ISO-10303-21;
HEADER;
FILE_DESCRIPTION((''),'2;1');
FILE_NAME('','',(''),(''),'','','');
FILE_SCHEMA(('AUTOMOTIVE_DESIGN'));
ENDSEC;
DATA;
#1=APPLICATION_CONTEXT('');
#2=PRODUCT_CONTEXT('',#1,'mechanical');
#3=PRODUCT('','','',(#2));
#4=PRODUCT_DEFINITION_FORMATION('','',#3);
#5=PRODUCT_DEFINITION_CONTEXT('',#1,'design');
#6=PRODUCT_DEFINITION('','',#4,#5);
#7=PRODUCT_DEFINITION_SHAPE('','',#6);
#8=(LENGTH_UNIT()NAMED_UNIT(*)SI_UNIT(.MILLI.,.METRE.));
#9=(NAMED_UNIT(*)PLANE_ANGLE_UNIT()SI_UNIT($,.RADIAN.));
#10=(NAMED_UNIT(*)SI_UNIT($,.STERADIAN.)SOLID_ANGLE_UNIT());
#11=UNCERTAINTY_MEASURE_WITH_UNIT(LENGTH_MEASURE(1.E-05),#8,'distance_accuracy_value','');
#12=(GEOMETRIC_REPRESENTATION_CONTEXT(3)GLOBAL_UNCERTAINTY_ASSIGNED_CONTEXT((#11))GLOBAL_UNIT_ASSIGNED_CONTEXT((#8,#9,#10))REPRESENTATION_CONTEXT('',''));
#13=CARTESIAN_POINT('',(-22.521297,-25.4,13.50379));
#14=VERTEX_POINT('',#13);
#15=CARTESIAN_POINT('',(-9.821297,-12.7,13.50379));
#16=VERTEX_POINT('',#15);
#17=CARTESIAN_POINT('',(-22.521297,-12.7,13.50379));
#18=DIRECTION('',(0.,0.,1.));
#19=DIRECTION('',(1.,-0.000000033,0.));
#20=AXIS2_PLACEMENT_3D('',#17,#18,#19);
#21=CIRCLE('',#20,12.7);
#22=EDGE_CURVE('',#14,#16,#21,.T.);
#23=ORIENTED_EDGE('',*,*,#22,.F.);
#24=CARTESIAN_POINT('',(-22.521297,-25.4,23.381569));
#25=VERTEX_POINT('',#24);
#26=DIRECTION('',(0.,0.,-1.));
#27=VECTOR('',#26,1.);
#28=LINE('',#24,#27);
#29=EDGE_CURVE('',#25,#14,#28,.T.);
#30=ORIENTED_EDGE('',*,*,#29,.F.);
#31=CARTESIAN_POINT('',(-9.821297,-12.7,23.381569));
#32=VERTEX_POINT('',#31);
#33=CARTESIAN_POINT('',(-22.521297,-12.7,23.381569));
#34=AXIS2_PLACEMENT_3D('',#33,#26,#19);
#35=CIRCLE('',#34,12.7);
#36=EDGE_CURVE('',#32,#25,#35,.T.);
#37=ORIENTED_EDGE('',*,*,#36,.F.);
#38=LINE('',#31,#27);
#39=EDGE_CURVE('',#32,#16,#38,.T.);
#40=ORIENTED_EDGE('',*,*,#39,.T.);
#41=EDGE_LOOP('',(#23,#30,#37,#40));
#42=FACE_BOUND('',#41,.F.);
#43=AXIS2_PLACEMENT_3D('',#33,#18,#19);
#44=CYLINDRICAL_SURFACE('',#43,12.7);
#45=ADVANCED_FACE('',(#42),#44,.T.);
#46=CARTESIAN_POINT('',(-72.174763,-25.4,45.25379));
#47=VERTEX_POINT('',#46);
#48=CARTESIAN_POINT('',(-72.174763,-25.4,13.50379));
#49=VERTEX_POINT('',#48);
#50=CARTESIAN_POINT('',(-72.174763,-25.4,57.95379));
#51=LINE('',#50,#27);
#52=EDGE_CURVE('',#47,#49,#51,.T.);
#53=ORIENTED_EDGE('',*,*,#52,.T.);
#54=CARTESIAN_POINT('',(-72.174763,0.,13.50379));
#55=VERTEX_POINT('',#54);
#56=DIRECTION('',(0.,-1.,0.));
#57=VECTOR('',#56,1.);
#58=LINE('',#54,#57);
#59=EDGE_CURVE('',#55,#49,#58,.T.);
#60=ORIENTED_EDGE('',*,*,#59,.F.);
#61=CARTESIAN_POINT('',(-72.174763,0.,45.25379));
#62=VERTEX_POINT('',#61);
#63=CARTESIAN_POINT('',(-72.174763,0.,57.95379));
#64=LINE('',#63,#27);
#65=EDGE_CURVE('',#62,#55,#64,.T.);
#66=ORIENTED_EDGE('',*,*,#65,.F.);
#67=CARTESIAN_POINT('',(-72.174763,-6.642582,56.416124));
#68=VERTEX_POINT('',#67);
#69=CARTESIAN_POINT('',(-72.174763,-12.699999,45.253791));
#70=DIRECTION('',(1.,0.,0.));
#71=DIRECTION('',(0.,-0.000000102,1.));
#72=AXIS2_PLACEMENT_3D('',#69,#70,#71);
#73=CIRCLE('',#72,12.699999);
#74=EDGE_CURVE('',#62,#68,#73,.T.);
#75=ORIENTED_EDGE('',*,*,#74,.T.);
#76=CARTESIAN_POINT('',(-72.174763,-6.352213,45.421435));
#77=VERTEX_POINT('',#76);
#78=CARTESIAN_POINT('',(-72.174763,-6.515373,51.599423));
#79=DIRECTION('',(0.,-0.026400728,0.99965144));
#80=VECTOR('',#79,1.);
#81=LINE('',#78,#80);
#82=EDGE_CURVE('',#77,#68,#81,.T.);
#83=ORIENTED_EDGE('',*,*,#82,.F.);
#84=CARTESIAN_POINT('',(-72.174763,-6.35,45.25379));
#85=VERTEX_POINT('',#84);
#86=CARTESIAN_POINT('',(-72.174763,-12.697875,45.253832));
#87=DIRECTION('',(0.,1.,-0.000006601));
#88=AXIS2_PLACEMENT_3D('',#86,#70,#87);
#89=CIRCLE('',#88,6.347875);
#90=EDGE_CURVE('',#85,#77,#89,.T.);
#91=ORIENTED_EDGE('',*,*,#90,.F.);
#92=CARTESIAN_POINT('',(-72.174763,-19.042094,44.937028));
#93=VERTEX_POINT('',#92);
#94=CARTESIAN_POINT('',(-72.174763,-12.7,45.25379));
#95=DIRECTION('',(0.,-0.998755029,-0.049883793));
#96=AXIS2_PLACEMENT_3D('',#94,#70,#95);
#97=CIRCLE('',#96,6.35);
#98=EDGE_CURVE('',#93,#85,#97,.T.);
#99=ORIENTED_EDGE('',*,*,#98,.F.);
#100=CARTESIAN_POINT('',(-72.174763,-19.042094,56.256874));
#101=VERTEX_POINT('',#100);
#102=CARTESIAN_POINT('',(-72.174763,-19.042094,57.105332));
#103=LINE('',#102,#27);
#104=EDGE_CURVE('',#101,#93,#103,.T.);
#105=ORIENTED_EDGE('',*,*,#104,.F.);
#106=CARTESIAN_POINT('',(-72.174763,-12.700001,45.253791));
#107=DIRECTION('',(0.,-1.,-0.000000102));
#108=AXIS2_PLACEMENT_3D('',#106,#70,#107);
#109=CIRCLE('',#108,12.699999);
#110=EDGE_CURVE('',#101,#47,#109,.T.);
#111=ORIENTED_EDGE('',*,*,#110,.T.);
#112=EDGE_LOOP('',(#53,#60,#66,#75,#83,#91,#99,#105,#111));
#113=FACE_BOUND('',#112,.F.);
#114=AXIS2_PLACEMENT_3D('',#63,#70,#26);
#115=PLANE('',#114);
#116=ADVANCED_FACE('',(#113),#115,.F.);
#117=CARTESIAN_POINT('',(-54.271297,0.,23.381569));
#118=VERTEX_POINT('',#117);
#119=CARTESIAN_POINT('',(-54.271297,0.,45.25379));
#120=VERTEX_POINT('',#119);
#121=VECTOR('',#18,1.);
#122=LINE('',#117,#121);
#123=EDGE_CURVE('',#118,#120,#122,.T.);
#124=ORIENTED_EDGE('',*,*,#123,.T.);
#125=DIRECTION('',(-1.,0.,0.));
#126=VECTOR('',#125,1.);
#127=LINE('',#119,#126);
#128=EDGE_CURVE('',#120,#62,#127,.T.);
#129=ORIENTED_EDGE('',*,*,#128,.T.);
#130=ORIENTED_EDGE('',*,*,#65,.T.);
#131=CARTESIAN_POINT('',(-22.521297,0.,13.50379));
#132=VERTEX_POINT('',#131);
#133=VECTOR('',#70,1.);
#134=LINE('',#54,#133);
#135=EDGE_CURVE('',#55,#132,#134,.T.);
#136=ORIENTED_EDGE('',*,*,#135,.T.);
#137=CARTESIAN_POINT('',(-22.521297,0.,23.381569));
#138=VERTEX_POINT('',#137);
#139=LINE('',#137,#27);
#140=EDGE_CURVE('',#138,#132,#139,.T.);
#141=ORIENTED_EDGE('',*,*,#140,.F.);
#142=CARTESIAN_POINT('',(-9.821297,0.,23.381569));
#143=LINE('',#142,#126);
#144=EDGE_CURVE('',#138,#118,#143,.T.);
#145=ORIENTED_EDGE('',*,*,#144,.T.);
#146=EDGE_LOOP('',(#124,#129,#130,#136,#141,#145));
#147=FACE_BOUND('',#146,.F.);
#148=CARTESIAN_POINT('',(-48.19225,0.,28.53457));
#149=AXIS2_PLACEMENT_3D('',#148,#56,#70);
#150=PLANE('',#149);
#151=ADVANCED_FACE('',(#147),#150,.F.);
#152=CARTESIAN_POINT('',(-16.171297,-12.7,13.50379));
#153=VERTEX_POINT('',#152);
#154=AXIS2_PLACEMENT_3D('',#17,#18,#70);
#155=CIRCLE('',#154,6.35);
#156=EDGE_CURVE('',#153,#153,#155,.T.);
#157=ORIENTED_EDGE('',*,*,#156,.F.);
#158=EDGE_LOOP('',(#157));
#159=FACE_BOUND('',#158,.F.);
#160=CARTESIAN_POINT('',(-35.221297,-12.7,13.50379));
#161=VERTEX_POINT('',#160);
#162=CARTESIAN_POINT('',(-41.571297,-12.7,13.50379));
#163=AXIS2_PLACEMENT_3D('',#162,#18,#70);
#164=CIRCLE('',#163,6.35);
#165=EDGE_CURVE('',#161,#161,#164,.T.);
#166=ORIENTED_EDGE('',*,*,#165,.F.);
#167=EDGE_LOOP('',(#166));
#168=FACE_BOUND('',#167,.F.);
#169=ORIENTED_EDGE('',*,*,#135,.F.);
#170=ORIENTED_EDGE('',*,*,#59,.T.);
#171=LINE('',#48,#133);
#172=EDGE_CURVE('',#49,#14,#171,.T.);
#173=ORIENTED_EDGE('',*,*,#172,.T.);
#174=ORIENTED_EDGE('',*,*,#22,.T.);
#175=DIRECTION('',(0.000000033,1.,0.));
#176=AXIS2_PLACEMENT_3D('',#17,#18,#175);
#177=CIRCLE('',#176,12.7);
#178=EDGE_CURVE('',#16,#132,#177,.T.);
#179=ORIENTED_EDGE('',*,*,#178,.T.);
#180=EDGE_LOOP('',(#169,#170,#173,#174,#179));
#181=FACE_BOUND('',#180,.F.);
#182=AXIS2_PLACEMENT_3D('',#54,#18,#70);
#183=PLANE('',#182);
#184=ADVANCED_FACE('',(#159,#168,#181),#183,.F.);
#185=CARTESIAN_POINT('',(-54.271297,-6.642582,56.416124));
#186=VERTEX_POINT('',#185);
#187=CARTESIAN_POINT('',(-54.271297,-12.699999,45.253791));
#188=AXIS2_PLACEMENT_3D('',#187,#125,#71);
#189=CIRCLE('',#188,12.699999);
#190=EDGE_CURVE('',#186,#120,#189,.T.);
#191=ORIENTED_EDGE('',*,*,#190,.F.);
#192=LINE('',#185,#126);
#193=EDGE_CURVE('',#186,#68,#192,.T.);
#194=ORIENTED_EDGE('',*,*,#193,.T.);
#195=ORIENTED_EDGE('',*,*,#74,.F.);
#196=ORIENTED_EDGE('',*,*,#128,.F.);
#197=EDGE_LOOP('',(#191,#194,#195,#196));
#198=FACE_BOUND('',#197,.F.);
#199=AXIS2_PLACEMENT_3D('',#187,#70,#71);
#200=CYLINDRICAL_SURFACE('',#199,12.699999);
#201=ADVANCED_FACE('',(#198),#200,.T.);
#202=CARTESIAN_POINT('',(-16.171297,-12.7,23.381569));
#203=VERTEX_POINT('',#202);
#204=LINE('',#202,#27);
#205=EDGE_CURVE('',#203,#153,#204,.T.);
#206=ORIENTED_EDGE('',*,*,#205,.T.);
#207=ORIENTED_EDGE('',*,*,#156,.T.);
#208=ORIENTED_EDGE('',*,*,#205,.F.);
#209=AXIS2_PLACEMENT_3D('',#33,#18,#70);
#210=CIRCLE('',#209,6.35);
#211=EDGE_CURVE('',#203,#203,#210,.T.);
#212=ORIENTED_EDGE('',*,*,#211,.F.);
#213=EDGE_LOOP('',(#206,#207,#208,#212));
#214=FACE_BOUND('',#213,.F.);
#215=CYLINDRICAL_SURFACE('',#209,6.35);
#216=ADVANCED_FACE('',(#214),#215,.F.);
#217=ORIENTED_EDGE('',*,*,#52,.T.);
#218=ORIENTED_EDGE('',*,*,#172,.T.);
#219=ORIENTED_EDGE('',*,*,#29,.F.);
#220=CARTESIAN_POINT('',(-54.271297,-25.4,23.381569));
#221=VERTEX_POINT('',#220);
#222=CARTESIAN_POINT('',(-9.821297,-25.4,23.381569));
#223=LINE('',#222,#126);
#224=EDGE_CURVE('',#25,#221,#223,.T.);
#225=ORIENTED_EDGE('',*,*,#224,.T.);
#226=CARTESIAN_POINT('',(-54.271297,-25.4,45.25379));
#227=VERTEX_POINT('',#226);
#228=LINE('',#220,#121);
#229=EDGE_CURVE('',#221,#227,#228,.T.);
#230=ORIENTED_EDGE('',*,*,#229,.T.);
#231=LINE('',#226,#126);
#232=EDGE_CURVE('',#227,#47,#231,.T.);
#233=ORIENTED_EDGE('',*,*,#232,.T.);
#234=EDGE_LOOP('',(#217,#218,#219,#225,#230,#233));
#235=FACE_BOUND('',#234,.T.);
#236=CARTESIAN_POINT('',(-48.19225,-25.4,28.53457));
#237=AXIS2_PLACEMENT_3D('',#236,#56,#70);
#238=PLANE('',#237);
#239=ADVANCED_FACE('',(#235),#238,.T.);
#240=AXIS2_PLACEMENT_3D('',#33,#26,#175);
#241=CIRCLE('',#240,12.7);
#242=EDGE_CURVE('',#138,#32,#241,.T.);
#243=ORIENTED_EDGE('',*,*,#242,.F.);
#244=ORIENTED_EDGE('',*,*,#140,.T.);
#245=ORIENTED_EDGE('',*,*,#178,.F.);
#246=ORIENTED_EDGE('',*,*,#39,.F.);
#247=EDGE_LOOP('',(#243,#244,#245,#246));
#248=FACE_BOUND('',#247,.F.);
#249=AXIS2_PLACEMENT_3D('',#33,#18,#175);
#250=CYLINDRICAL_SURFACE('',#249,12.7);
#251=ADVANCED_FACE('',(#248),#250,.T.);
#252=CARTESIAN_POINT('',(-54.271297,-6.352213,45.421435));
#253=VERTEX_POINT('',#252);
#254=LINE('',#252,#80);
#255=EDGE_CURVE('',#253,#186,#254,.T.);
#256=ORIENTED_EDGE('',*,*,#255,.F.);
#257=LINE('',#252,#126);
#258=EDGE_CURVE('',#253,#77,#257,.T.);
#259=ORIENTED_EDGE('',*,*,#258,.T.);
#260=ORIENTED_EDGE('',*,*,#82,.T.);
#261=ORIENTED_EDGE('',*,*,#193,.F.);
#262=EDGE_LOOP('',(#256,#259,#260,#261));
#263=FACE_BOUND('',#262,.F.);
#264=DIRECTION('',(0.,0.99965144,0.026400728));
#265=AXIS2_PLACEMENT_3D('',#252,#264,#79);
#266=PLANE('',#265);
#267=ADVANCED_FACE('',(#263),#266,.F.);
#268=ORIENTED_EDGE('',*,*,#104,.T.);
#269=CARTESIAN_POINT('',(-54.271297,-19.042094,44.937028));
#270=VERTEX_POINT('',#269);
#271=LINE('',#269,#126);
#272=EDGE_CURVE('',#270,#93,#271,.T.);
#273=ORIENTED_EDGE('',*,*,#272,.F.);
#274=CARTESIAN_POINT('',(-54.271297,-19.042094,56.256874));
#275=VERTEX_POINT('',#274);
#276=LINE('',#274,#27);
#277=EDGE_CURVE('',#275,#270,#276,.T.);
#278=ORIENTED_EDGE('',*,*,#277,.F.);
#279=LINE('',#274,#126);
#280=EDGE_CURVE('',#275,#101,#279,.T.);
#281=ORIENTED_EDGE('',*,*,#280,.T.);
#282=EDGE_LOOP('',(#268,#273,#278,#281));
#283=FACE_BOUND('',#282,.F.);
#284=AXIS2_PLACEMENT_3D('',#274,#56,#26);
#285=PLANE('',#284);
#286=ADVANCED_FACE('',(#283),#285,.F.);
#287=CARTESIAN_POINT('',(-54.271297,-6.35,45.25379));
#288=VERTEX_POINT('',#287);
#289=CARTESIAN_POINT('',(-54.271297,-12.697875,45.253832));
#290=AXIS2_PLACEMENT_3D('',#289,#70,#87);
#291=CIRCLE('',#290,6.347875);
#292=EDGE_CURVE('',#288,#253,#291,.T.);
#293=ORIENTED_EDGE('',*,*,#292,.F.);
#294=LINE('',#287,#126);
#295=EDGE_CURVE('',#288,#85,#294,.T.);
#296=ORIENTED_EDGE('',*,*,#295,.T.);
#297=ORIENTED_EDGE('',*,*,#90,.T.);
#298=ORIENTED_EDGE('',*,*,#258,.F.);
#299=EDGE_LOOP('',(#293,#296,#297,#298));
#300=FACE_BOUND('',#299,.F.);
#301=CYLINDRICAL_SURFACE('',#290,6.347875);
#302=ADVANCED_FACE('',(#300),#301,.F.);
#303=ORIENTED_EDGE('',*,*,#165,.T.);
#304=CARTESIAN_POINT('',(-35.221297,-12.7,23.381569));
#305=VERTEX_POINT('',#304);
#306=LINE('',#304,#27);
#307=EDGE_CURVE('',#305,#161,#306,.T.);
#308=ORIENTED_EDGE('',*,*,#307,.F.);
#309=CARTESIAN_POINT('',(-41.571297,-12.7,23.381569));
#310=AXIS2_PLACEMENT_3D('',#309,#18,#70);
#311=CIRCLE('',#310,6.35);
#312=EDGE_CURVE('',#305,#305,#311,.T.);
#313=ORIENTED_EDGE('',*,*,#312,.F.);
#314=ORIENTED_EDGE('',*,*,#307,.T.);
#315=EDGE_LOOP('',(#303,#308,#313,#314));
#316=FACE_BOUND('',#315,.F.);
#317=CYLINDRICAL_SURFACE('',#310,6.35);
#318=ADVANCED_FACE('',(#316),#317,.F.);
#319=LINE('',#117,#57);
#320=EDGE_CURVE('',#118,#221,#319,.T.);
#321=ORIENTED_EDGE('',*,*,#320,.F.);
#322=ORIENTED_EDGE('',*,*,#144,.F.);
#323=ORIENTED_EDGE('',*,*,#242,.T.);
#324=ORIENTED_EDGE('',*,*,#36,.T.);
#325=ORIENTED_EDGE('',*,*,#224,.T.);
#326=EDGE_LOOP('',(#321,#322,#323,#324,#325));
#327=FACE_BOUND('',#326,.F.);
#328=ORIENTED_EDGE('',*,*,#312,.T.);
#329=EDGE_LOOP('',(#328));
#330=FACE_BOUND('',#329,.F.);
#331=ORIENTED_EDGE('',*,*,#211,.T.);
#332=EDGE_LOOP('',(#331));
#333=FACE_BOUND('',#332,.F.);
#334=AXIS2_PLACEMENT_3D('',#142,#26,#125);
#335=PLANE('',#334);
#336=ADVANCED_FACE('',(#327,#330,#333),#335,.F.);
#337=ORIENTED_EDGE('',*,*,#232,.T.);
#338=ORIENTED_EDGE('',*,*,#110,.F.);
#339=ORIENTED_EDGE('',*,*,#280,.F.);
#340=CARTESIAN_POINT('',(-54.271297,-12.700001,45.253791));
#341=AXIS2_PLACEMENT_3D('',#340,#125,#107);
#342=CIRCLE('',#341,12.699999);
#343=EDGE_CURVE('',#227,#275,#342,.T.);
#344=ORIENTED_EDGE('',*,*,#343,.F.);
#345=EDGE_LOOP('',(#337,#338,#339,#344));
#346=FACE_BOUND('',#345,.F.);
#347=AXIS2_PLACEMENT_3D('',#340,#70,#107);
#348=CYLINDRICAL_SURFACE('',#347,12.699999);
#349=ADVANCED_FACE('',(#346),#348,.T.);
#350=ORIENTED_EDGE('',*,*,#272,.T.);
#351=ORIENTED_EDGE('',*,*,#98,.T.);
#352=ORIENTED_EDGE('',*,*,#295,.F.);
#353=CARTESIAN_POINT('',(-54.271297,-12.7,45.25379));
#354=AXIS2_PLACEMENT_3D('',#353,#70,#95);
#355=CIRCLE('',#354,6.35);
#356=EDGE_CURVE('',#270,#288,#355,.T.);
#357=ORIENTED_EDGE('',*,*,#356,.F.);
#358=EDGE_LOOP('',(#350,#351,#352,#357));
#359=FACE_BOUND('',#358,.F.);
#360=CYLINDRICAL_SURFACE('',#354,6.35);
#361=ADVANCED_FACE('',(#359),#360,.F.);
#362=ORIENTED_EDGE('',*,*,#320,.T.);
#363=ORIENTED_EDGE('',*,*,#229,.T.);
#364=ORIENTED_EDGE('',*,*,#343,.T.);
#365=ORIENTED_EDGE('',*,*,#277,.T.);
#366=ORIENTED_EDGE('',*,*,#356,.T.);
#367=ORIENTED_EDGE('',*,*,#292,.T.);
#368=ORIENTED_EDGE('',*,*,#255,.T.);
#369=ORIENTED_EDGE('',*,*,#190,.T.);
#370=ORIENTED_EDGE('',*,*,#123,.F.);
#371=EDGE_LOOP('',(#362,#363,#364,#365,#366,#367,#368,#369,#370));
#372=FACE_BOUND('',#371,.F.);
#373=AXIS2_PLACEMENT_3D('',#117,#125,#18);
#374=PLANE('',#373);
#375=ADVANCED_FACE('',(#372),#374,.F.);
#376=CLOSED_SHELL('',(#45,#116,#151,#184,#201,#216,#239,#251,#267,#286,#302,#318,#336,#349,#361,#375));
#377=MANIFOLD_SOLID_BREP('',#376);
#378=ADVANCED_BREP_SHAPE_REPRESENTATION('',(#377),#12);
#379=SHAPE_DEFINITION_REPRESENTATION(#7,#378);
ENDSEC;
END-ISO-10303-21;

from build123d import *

# Parameters (mm, degrees)
F1_DEPTH = 25.4
F3_DEPTH = 9.878778
F5_DEPTH = 17.904465
F7_DEPTH = 17.904465
F8_R     = 6.35
F9_DEPTH = 9.878778


with BuildPart() as f1:
    # F0 (on Front) → F1 (new body)
    with BuildSketch(Plane.XZ):
        Polygon((-72.174763, 57.95379), (-72.174763, 13.50379), (-9.821297, 13.50379), (-9.821297, 23.381569), (-54.271297, 23.381569), (-54.271297, 57.95379), align=None)
    extrude(amount=F1_DEPTH)

    # F2 (on face) → F3 (cut, through all)
    with BuildSketch(Plane.XY.offset(23.381569)):
        with BuildLine():
            Line((-9.821297, -12.7), (-9.821297, 0))
            Line((-9.821297, 0), (-22.521297, 0))
            ThreePointArc((-22.521297, 0), (-13.541041, -3.719744), (-9.821297, -12.7))
        make_face()
        with BuildLine():
            Line((-9.821297, -25.4), (-9.821297, -12.7))
            ThreePointArc((-9.821297, -12.7), (-13.541041, -21.680256), (-22.521297, -25.4))
            Line((-22.521297, -25.4), (-9.821297, -25.4))
        make_face()
    extrude(amount=-F3_DEPTH, mode=Mode.SUBTRACT)

    # F4 (on face) → F5 (cut, through all)
    with BuildSketch(Plane.YZ.offset(-54.271297)):
        with BuildLine():
            Line((-12.7, 57.95379), (-25.4, 57.95379))
            Line((-25.4, 57.95379), (-25.4, 45.25379))
            ThreePointArc((-25.4, 45.25379), (-21.680256, 54.234047), (-12.7, 57.95379))
        make_face()
        with BuildLine():
            Line((0, 57.95379), (-12.7, 57.95379))
            ThreePointArc((-12.7, 57.95379), (-3.719744, 54.234047), (0, 45.25379))
            Line((0, 45.25379), (0, 57.95379))
        make_face()
    extrude(amount=-F5_DEPTH, mode=Mode.SUBTRACT)

    # F6 (on face) → F7 (cut, through all)
    with BuildSketch(Plane.YZ.offset(-54.271297)):
        with BuildLine():
            ThreePointArc((-19.042094, 45.570553), (-12.625386, 51.603352), (-6.352213, 45.421435))
            Line((-6.352213, 45.421435), (-6.642582, 56.416124))
            ThreePointArc((-6.642582, 56.416124), (-12.863096, 57.952743), (-19.042094, 56.256874))
            Line((-19.042094, 56.256874), (-19.042094, 45.570553))
        make_face()
        with BuildLine():
            ThreePointArc((-19.042094, 44.937028), (-12.541569, 38.905767), (-6.35, 45.25379))
            ThreePointArc((-6.35, 45.25379), (-6.350553, 45.33762), (-6.352213, 45.421435))
            ThreePointArc((-6.352213, 45.421435), (-12.625386, 51.603352), (-19.042094, 45.570553))
            Line((-19.042094, 45.570553), (-19.042094, 44.937028))
        make_face()
    extrude(amount=-F7_DEPTH, mode=Mode.SUBTRACT)

    # F8 (on face) → F9 (cut, through all)
    with BuildSketch(Plane.XY.offset(23.381569)):
        with Locations((-41.571297, -12.7)):
            Circle(F8_R)
        with Locations((-22.521297, -12.7)):
            Circle(F8_R)
    extrude(amount=-F9_DEPTH, mode=Mode.SUBTRACT)


solid = f1.part
